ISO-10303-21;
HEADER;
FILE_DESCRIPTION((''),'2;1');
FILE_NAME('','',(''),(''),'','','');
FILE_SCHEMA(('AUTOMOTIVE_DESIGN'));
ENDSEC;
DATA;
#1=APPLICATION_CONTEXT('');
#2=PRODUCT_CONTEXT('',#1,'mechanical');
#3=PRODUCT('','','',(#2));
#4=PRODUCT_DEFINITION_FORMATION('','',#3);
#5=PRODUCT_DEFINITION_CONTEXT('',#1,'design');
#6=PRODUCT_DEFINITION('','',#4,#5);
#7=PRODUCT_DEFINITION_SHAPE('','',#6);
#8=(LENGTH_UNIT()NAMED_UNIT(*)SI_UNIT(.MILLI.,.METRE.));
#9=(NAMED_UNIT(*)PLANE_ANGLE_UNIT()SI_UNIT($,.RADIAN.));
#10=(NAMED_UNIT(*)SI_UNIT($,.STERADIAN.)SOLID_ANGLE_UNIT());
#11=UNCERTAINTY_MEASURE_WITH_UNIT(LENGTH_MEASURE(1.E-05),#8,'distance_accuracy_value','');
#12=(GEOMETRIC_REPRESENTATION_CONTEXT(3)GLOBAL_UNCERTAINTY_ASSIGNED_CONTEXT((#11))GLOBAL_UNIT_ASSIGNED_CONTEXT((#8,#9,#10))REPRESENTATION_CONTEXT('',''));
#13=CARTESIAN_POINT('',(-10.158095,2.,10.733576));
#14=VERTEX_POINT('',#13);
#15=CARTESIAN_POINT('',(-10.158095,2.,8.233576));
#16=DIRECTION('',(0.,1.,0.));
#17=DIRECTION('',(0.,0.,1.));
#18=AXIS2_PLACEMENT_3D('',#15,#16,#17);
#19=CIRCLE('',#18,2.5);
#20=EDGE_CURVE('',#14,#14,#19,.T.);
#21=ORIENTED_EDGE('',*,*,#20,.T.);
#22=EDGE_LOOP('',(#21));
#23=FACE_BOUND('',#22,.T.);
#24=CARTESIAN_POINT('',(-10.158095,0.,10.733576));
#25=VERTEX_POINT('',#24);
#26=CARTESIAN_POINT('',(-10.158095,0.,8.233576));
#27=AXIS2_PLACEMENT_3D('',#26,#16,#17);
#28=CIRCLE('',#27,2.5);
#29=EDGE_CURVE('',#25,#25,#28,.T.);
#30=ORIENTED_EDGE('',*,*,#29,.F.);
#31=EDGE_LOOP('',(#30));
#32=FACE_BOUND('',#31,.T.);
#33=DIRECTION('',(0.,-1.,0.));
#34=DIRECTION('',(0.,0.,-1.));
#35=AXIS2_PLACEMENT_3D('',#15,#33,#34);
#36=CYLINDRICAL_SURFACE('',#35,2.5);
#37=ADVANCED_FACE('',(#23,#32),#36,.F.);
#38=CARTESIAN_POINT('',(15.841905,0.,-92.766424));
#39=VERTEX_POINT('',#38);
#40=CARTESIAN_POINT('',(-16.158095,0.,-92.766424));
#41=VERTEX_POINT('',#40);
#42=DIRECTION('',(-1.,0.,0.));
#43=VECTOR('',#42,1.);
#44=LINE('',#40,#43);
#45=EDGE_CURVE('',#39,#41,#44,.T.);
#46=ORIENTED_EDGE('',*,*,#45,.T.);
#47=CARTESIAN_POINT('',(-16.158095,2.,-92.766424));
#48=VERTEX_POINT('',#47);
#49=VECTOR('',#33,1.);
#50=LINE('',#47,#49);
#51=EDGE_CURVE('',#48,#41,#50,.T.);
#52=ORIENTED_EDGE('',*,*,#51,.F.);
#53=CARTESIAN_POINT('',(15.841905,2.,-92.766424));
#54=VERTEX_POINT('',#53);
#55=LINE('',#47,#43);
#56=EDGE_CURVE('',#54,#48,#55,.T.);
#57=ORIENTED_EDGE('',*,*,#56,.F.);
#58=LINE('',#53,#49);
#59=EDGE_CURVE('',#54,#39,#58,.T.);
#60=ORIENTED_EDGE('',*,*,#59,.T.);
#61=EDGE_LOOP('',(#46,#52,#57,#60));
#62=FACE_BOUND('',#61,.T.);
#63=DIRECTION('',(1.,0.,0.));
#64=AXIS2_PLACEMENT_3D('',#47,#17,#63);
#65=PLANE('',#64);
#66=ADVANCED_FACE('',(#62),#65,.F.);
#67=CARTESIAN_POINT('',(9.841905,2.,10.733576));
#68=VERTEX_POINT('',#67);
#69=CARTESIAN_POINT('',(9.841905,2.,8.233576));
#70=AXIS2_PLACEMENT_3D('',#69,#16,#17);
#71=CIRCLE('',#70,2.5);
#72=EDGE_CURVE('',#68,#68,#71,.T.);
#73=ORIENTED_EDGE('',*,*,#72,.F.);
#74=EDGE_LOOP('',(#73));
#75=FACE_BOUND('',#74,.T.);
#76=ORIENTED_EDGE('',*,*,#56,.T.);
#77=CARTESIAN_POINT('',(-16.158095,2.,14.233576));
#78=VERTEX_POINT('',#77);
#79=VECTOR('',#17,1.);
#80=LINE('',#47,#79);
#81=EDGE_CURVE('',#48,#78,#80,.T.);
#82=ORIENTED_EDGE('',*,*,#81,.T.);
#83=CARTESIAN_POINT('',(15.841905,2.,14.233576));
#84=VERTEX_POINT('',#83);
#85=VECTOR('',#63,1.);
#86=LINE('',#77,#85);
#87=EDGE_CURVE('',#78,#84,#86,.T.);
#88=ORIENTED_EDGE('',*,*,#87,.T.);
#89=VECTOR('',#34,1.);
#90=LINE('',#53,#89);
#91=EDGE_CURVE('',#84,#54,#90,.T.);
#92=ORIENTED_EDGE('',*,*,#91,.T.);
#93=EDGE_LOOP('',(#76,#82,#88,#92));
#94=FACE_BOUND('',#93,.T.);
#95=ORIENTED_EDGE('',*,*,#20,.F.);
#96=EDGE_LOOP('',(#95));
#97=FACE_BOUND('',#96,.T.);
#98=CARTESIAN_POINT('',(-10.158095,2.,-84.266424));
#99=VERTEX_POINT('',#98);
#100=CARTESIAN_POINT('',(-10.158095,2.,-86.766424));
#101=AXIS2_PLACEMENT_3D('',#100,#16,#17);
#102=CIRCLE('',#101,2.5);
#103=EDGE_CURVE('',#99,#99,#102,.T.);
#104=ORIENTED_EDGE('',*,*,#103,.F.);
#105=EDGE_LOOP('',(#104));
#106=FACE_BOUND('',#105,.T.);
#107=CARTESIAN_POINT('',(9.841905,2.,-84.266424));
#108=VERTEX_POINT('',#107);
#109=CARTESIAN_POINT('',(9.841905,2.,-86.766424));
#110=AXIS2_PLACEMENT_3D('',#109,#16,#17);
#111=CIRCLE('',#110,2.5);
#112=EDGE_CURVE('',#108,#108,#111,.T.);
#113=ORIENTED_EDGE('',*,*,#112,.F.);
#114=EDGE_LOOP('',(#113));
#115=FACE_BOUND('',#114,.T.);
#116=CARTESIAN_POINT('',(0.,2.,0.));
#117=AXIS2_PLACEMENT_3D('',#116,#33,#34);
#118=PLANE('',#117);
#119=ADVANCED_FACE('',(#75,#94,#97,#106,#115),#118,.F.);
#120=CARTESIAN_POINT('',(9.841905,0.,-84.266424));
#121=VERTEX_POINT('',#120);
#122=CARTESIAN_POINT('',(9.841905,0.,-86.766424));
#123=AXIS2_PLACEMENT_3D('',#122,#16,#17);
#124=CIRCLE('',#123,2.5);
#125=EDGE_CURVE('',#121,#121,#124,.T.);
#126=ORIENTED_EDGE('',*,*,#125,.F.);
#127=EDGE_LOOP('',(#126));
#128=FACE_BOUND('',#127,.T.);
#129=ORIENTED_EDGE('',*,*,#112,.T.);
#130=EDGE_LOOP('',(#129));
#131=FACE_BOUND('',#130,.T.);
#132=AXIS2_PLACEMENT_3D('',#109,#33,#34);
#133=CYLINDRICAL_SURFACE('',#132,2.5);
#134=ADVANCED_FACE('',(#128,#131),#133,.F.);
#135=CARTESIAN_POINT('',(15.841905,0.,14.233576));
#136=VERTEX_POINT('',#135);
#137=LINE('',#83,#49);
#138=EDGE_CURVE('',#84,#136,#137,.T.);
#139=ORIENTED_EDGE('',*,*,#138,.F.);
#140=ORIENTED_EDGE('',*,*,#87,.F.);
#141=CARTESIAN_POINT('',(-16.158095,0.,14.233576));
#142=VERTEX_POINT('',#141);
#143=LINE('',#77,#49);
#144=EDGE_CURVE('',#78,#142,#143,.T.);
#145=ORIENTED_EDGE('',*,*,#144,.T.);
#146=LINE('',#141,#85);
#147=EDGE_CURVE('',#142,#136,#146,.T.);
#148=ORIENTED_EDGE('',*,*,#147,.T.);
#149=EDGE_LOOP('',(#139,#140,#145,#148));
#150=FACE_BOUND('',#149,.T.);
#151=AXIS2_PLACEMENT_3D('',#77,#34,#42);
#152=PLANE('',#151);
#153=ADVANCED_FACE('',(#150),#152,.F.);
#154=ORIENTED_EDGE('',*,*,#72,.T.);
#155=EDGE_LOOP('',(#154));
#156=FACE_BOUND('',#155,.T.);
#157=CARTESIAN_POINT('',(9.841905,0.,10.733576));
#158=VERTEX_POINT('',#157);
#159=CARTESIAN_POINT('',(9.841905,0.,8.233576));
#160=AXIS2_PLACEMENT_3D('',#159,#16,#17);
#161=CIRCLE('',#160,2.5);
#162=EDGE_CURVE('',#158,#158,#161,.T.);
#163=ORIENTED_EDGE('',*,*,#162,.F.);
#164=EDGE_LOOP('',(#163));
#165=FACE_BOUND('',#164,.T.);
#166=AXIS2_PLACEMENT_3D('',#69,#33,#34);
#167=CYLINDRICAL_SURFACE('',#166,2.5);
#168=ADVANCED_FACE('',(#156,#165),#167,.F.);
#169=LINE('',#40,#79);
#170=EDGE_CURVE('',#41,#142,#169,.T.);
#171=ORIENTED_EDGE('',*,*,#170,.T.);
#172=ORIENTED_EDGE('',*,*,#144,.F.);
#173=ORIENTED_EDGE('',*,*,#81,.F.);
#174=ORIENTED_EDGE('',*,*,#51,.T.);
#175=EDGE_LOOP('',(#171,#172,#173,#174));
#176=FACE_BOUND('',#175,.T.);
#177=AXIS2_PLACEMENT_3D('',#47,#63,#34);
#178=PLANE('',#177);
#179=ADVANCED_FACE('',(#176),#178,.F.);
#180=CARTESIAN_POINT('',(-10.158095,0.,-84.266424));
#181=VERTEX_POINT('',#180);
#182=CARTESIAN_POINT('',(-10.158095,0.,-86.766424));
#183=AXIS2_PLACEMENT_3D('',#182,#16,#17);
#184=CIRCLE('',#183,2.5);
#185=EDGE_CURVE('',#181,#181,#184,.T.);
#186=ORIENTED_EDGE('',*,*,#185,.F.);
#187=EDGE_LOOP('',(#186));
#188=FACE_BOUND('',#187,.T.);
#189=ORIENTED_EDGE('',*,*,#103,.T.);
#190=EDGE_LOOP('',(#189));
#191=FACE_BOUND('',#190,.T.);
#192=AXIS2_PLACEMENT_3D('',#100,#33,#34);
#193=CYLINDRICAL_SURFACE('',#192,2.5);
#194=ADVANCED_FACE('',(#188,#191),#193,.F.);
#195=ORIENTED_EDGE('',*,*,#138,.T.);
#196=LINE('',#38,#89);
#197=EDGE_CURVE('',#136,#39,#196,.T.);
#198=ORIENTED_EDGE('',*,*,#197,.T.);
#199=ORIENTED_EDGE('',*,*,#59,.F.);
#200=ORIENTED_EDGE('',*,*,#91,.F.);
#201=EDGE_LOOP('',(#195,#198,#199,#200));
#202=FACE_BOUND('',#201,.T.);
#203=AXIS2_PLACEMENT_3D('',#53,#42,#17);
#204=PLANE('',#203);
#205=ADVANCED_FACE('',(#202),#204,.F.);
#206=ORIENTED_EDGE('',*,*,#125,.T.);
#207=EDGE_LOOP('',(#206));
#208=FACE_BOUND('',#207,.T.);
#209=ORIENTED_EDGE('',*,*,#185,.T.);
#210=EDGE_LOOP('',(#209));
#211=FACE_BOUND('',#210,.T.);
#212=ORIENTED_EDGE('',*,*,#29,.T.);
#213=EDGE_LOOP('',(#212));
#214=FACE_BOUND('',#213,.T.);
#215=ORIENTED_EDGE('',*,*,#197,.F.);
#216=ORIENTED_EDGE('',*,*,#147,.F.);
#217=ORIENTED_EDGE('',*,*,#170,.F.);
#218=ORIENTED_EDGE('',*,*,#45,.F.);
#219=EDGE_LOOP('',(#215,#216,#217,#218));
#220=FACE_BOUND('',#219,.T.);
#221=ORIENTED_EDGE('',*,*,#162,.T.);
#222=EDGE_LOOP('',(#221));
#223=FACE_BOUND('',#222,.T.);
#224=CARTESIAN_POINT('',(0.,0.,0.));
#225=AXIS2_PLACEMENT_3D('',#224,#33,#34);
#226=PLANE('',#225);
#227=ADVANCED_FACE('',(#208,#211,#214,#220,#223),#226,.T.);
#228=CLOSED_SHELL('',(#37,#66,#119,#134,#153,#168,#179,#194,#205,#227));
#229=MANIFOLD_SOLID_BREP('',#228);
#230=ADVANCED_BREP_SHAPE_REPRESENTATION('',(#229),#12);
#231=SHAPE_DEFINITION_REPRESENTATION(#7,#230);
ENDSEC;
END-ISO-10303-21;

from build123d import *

# Parameters (mm, degrees)
SKETCH_1_W      = 32
SKETCH_1_H      = 107
SKETCH_1_R      = 2.5
EXTRUDE_1_DEPTH = 2


with BuildPart() as part:
    # 草图1 → 凸台-拉伸1 (new body)
    with BuildSketch(Plane(origin=(0, 0, 0), x_dir=(1, 0, 0), z_dir=(0, 1, 0))):
        with Locations((-0.158095061, 39.2664238)):
            Rectangle(SKETCH_1_W, SKETCH_1_H)
        with Locations(Location((-10.158095061, 86.7664238, 0), (0, 0, 270))):
            Circle(SKETCH_1_R, mode=Mode.SUBTRACT)
        with Locations(Location((9.841904939, 86.7664238, 0), (0, 0, 270))):
            Circle(SKETCH_1_R, mode=Mode.SUBTRACT)
        with Locations(Location((-10.158095061, -8.2335762, 0), (0, 0, 270))):
            Circle(SKETCH_1_R, mode=Mode.SUBTRACT)
        with Locations(Location((9.841904939, -8.2335762, 0), (0, 0, 270))):
            Circle(SKETCH_1_R, mode=Mode.SUBTRACT)
    extrude(amount=EXTRUDE_1_DEPTH)


solid = part.part
